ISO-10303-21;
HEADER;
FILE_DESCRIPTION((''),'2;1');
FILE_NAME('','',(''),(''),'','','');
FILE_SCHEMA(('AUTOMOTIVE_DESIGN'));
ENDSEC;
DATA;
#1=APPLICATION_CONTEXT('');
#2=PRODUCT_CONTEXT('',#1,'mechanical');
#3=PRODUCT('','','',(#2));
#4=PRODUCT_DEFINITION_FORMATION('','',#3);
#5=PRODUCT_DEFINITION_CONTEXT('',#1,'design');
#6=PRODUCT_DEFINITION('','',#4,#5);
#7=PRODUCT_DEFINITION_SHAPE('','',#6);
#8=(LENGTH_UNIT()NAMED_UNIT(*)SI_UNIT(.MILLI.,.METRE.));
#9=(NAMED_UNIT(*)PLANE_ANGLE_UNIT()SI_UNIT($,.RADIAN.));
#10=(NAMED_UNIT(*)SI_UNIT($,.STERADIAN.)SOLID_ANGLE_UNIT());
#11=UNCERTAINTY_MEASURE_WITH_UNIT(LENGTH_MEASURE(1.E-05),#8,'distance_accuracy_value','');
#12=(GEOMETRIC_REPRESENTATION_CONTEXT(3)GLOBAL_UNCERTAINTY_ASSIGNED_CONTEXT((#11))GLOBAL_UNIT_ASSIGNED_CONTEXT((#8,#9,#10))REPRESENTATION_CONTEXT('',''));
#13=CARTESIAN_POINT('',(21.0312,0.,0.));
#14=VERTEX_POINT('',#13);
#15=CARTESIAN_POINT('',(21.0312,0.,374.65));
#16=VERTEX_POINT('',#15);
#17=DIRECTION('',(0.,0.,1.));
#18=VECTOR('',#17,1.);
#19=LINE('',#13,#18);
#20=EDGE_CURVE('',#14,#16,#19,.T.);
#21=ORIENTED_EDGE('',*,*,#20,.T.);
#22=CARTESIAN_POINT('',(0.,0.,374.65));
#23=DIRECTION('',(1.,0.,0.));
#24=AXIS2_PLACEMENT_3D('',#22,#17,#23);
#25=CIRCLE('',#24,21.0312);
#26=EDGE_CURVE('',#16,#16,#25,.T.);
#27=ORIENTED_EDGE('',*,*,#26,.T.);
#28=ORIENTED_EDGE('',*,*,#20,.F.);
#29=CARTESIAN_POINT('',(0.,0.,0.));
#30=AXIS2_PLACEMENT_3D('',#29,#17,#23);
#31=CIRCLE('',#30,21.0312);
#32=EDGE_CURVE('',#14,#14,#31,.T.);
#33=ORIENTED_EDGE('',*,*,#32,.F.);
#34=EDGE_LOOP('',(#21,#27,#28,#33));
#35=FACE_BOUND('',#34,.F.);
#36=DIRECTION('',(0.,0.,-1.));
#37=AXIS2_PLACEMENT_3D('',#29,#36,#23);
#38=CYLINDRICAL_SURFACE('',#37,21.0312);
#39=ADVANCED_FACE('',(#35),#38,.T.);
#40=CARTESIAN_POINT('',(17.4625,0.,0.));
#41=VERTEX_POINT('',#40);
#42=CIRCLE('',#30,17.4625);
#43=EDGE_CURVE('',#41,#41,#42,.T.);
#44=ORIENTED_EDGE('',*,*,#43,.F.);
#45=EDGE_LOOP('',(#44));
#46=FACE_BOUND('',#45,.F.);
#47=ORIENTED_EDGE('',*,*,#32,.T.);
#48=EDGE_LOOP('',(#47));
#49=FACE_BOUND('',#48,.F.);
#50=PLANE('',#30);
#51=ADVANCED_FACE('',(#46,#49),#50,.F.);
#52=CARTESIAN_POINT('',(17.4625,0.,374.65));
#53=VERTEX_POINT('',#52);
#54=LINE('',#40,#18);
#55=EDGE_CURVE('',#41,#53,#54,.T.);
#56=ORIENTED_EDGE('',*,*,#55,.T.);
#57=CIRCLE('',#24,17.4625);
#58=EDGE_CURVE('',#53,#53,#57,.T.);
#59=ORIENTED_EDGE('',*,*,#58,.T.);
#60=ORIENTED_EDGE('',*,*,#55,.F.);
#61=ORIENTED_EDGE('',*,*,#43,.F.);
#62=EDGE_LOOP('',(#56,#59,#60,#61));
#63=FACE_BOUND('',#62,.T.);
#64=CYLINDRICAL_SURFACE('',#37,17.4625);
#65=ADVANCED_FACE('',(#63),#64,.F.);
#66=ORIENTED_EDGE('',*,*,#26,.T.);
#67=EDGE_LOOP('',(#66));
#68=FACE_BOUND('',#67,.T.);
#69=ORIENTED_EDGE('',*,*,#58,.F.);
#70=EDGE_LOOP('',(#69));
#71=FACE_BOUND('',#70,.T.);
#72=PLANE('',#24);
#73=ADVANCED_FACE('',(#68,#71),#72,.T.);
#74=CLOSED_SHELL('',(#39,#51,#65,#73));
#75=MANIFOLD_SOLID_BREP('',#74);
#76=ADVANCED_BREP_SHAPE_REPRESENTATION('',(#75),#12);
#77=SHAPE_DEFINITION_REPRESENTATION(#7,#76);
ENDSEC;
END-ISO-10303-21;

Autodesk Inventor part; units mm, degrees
ref_plane "YZ Plane" through (0, 0, 0) normal (1, 0, 0) x (0, 1, 0)
ref_plane "XZ Plane" through (0, 0, 0) normal (0, 1, 0) x (-1, 0, 0)
ref_plane "XY Plane" through (0, 0, 0) normal (0, 0, 1) x (1, 0, 0)
sketch "Sketch1" plane through (0, 0, 0) normal (0, 0, 1) x (1, 0, 0)
  circle A0 centre (0, 0) radius 21.0312
  circle A1 centre (0, 0) radius 17.4625
  dimension "d0" = 42.0624
  dimension "d1" = 34.925
extrude "Extrusion1" add sketch "Sketch1" along normal blind 374.65
properties part number "FE-00018-01"
